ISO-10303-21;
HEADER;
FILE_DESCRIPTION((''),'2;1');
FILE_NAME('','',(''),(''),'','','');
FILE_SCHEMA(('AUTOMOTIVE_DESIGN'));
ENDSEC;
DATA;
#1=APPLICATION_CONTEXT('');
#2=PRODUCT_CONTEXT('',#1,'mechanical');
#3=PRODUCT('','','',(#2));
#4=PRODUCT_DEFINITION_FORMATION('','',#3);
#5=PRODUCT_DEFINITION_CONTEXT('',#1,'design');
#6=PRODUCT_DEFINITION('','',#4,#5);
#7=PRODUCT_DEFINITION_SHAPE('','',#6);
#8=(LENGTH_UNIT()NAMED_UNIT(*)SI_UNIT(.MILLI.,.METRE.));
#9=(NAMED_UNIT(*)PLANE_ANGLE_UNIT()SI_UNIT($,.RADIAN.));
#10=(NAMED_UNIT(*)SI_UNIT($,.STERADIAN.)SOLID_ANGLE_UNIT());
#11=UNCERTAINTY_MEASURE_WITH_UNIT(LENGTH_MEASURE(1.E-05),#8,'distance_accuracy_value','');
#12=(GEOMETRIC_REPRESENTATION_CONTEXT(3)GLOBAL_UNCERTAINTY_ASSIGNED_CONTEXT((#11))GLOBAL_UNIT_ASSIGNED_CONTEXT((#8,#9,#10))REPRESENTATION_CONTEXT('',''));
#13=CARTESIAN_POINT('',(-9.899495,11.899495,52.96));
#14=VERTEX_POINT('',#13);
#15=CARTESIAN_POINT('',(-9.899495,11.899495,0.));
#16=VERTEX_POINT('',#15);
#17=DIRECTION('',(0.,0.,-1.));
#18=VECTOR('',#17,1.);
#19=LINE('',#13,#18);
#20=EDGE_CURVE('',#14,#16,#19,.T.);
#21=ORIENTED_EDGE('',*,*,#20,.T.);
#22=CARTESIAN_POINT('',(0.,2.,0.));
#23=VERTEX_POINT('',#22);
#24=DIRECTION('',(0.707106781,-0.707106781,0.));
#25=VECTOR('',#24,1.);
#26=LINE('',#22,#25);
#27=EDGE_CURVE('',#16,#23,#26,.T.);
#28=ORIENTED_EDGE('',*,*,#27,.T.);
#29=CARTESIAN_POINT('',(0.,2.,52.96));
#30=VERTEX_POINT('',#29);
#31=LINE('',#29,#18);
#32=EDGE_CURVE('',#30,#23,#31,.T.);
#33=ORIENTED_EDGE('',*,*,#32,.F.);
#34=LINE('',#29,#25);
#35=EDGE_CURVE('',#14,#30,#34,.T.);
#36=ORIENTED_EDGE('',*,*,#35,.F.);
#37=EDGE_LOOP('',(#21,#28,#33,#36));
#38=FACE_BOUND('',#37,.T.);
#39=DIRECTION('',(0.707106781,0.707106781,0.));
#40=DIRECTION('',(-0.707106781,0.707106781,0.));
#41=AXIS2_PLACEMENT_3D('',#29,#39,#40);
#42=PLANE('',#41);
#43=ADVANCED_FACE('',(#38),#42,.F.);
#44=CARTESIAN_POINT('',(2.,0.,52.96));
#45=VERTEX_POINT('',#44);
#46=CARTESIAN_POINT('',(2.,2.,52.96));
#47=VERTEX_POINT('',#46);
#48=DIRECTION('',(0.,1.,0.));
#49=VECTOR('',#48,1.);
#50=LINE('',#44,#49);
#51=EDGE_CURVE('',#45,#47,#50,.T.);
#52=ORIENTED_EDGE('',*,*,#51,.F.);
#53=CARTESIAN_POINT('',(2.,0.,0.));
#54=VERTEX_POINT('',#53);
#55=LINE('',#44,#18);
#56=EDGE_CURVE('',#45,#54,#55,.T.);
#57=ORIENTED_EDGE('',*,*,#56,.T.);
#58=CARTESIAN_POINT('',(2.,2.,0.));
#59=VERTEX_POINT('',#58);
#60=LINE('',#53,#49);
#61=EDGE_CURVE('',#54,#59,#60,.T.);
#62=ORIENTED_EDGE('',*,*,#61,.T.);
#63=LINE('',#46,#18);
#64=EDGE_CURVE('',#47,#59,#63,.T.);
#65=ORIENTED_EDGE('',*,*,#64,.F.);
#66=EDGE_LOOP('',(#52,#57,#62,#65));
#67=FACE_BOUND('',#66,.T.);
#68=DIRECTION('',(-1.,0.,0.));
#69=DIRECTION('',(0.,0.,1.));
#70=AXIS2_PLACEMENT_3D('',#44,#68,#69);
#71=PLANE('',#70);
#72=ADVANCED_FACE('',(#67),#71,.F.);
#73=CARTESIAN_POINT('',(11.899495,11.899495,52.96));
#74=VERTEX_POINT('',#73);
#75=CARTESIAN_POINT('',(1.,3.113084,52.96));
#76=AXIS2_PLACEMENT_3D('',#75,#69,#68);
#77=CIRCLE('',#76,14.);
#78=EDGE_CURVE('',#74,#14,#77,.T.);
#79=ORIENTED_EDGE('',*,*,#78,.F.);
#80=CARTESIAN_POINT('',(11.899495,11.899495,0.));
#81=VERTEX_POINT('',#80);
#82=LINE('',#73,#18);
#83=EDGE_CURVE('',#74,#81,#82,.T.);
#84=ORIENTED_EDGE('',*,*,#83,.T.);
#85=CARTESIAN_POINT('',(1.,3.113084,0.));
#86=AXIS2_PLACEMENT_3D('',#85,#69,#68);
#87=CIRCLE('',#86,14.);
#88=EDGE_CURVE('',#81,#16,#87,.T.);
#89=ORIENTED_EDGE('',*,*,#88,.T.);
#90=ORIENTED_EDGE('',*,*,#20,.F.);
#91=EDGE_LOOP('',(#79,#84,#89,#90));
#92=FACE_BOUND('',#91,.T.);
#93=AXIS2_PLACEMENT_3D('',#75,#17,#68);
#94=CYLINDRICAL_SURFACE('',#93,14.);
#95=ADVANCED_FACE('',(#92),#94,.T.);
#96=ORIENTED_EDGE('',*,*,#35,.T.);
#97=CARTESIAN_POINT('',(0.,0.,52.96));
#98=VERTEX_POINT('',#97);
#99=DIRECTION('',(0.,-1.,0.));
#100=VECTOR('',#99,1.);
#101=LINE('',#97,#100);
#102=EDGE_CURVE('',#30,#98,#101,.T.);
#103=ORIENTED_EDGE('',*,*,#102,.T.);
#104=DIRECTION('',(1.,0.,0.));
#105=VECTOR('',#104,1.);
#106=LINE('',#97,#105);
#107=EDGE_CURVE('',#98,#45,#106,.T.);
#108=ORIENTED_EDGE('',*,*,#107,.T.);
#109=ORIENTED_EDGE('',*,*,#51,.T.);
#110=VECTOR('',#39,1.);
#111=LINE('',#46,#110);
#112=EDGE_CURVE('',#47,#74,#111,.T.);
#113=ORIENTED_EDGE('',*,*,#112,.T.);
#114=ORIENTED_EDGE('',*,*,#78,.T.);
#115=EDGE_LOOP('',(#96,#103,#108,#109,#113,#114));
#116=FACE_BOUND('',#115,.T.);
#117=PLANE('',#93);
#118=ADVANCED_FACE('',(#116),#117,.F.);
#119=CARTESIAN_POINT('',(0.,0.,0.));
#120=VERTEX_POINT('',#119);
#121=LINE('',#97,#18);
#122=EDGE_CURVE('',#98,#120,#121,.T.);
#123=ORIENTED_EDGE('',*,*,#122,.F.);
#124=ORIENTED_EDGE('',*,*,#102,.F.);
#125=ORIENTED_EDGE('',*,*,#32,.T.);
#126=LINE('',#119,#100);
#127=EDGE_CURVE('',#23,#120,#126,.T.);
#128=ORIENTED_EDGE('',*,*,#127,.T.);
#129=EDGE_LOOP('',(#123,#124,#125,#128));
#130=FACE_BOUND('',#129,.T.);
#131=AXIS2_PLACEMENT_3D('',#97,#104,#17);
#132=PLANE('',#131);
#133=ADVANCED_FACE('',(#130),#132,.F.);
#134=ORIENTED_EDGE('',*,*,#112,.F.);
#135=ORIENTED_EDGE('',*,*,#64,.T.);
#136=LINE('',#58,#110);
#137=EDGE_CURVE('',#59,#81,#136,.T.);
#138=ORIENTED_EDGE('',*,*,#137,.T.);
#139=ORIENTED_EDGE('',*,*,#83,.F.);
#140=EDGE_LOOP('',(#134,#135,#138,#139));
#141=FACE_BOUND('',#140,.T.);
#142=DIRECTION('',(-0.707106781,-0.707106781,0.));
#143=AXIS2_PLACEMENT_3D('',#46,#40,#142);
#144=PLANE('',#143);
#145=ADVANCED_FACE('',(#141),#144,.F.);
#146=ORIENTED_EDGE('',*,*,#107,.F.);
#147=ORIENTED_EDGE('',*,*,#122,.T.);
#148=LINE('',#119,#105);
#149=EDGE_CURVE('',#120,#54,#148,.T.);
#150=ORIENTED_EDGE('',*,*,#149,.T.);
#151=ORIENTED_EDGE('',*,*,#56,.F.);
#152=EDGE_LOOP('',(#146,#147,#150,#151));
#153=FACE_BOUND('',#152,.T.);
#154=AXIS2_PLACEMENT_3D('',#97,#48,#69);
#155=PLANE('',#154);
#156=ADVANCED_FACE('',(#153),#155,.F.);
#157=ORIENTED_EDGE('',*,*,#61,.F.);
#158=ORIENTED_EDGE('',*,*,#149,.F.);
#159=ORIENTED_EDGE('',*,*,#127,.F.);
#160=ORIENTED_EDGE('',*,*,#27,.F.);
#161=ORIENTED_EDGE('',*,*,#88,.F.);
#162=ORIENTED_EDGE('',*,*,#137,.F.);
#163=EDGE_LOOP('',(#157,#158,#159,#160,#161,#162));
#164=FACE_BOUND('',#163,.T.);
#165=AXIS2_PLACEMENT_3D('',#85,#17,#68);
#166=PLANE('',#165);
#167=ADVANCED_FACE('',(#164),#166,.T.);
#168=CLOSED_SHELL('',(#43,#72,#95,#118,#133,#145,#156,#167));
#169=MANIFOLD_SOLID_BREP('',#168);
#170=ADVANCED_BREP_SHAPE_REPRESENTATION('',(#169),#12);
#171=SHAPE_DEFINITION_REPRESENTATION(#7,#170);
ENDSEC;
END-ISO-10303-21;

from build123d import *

# Parameters (mm, degrees)
BOSS_EXTRUDE1_DEPTH = 52.96


with BuildPart() as part:
    # Sketch1 → Boss-Extrude1 (new body)
    with BuildSketch(Plane.XY):
        with BuildLine():
            Line((0, 0), (0, 2))
            Line((0, 2), (-9.899494937, 11.899494937))
            ThreePointArc((-9.899494937, 11.899494937), (1, 17.113084399), (11.899494937, 11.899494937))
            Line((11.899494937, 11.899494937), (2, 2))
            Line((2, 2), (2, 0))
            Line((2, 0), (0, 0))
        make_face()
    extrude(amount=BOSS_EXTRUDE1_DEPTH)


solid = part.part
